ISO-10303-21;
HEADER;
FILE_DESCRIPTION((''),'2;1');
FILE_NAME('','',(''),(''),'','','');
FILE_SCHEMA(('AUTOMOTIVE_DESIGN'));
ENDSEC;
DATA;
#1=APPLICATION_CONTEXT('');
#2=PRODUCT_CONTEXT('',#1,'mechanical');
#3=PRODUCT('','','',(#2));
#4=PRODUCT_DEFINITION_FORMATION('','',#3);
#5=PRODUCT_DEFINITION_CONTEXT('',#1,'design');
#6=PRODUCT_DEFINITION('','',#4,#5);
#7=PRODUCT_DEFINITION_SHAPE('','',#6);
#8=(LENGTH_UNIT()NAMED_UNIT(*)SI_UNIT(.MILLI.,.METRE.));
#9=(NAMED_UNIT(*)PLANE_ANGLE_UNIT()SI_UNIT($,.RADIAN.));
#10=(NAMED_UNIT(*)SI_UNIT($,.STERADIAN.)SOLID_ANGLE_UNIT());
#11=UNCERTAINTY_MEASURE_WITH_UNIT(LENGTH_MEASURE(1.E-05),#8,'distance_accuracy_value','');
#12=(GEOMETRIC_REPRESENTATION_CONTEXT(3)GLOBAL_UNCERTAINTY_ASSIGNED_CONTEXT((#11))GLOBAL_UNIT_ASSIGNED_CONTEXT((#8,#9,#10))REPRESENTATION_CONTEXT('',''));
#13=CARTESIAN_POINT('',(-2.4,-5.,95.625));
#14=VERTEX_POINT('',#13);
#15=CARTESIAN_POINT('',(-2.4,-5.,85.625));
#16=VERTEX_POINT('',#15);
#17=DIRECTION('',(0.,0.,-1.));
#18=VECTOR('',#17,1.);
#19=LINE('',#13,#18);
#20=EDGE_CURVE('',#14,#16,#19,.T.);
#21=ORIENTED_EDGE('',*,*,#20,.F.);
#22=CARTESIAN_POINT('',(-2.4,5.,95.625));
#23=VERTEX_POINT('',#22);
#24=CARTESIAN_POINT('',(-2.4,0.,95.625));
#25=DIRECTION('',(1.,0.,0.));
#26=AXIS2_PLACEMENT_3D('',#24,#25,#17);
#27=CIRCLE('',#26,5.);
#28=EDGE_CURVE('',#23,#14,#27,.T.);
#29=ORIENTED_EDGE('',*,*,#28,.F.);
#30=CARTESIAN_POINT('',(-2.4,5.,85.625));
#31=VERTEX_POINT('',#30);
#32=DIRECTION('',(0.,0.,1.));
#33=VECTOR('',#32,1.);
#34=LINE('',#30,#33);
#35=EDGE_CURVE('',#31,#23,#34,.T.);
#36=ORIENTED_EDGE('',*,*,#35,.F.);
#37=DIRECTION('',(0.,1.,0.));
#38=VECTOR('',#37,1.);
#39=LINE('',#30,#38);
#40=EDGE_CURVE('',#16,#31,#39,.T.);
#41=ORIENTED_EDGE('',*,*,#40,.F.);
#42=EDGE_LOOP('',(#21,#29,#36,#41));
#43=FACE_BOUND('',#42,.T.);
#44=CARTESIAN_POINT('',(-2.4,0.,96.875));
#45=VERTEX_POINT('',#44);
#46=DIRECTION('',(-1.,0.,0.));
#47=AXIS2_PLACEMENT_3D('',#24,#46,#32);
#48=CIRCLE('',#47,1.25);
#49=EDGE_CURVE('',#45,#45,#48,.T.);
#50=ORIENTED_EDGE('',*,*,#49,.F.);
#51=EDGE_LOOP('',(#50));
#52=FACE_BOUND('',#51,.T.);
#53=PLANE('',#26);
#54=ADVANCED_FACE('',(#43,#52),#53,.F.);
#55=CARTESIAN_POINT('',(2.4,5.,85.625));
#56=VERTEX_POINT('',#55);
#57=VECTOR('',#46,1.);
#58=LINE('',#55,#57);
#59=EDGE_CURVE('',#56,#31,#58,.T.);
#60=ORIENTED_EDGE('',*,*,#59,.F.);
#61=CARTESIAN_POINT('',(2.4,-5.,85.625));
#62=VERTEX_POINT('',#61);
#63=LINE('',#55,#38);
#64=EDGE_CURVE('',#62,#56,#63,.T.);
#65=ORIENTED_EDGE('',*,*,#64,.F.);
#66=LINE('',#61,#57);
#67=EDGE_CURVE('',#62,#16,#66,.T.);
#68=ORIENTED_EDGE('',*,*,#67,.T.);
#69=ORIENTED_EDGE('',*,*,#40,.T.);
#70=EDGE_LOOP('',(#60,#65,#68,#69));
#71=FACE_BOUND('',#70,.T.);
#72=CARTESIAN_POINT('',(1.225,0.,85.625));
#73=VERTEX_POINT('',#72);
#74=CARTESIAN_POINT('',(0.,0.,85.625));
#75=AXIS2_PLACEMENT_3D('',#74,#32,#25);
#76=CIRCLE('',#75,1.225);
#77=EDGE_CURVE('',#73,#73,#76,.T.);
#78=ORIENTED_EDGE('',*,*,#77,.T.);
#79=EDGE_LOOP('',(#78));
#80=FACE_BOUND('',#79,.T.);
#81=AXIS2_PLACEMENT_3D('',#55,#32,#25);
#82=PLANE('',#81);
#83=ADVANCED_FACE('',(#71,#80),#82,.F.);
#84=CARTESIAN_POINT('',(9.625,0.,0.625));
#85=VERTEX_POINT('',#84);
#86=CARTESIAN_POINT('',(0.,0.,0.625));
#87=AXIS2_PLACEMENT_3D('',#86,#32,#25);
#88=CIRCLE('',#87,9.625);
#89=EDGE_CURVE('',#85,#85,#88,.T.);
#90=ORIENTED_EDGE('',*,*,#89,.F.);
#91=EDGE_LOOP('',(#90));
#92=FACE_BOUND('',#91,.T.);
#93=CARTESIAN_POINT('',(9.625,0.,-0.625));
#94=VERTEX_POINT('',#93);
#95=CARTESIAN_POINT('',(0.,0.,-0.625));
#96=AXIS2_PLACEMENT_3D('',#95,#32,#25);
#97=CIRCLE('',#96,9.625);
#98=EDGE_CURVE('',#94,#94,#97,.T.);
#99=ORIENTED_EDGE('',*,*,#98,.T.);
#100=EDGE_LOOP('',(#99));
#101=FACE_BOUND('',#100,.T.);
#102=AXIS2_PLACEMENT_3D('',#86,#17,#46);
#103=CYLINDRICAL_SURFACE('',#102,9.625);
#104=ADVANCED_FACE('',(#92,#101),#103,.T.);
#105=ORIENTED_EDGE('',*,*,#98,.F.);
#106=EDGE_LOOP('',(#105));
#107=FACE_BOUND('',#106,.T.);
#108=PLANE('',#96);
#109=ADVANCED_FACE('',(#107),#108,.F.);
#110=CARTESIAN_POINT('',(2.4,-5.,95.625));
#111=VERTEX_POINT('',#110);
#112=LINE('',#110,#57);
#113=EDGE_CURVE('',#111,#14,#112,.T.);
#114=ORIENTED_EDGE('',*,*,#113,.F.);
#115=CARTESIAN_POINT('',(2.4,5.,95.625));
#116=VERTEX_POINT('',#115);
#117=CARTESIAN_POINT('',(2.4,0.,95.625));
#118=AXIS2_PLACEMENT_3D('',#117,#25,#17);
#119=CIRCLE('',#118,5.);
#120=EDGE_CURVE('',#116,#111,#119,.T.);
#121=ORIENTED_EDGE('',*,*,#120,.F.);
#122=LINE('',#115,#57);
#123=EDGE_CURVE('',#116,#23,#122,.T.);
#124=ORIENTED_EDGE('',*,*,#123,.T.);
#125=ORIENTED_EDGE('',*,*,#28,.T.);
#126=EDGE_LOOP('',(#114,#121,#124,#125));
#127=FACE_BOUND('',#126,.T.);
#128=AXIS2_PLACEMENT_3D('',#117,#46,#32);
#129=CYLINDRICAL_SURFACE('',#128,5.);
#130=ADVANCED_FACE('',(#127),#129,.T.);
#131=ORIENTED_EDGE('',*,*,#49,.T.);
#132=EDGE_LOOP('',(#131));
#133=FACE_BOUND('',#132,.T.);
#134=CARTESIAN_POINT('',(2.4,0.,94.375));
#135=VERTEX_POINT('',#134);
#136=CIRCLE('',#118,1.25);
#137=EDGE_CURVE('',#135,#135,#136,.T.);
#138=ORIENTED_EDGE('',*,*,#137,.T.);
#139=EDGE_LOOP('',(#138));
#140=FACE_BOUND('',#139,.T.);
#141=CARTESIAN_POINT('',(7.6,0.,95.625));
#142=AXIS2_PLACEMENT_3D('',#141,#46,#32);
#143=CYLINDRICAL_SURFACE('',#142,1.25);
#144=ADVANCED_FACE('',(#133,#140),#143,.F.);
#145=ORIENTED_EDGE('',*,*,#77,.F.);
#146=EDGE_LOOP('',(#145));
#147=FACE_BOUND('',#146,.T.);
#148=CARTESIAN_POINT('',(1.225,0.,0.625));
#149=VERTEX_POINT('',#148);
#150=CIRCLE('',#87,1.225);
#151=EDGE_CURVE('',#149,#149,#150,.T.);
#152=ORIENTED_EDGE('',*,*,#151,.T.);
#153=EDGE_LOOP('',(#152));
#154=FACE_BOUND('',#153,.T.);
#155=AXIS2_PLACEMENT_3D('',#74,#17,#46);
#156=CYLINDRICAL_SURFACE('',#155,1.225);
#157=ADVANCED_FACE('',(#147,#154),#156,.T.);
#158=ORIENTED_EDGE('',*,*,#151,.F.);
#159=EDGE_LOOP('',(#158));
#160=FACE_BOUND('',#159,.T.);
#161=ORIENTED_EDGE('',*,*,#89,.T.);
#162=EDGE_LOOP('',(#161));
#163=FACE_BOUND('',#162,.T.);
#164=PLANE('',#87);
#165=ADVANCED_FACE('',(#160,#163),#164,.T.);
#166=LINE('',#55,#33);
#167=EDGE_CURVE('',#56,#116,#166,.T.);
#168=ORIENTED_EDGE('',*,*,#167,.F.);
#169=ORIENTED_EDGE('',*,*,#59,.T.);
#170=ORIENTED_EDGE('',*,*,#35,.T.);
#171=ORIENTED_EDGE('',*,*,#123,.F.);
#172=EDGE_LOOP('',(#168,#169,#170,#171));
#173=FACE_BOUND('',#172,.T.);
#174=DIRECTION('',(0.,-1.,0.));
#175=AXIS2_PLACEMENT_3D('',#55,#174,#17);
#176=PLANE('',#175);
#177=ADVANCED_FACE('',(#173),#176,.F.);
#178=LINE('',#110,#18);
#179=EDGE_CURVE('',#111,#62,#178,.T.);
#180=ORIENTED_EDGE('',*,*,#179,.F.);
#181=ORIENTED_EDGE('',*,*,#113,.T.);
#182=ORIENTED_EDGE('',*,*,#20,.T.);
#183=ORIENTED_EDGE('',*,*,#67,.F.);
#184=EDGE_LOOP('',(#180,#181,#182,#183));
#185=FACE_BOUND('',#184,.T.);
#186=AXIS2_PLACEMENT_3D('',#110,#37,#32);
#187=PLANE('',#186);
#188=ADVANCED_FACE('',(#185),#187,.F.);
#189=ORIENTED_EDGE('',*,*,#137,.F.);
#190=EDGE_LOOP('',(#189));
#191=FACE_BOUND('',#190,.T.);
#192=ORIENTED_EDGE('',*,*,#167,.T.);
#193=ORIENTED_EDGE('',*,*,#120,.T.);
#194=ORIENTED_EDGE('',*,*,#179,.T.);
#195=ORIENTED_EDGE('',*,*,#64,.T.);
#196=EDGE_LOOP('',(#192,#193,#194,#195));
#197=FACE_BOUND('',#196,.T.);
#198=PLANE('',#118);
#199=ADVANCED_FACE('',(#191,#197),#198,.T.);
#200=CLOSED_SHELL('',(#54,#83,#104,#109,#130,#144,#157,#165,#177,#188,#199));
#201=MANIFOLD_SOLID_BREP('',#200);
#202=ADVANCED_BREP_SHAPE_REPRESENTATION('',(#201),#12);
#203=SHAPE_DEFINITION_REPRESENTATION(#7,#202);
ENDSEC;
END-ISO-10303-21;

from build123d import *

# Parameters (mm, degrees)
SKETCH1_R           = 9.625
BOSS_EXTRUDE1_DEPTH = 0.625
SKETCH2_R           = 1.225
BOSS_EXTRUDE2_DEPTH = 85
BOSS_EXTRUDE3_DEPTH = 2.4
SKETCH4_R           = 1.25
CUT_EXTRUDE1_DEPTH  = 10


with BuildPart() as part:
    # Sketch1 → Boss-Extrude1 (new, symmetric)
    with BuildSketch(Plane.XY):
        Circle(SKETCH1_R)
    extrude(amount=BOSS_EXTRUDE1_DEPTH, both=True)

    # Sketch2 → Boss-Extrude2 (add)
    with BuildSketch(Plane.XY.offset(0.625)):
        Circle(SKETCH2_R)
    extrude(amount=BOSS_EXTRUDE2_DEPTH)

    # Sketch3 → Boss-Extrude3 (add, symmetric)
    with BuildSketch(Plane(origin=(0, 0, 0), x_dir=(0, 0, -1), z_dir=(1, 0, 0))):
        with BuildLine():
            Line((-85.625, 5), (-85.625, -5))
            Line((-85.625, -5), (-95.625, -5))
            ThreePointArc((-95.625, -5), (-100.625, 0), (-95.625, 5))
            Line((-95.625, 5), (-85.625, 5))
        make_face()
    extrude(amount=BOSS_EXTRUDE3_DEPTH, both=True)

    # Sketch4 → Cut-Extrude1 (cut)
    with BuildSketch(Plane.ZY.offset(2.4)):
        with Locations((95.625, 0)):
            Circle(SKETCH4_R)
    extrude(amount=-CUT_EXTRUDE1_DEPTH, mode=Mode.SUBTRACT)


solid = part.part
